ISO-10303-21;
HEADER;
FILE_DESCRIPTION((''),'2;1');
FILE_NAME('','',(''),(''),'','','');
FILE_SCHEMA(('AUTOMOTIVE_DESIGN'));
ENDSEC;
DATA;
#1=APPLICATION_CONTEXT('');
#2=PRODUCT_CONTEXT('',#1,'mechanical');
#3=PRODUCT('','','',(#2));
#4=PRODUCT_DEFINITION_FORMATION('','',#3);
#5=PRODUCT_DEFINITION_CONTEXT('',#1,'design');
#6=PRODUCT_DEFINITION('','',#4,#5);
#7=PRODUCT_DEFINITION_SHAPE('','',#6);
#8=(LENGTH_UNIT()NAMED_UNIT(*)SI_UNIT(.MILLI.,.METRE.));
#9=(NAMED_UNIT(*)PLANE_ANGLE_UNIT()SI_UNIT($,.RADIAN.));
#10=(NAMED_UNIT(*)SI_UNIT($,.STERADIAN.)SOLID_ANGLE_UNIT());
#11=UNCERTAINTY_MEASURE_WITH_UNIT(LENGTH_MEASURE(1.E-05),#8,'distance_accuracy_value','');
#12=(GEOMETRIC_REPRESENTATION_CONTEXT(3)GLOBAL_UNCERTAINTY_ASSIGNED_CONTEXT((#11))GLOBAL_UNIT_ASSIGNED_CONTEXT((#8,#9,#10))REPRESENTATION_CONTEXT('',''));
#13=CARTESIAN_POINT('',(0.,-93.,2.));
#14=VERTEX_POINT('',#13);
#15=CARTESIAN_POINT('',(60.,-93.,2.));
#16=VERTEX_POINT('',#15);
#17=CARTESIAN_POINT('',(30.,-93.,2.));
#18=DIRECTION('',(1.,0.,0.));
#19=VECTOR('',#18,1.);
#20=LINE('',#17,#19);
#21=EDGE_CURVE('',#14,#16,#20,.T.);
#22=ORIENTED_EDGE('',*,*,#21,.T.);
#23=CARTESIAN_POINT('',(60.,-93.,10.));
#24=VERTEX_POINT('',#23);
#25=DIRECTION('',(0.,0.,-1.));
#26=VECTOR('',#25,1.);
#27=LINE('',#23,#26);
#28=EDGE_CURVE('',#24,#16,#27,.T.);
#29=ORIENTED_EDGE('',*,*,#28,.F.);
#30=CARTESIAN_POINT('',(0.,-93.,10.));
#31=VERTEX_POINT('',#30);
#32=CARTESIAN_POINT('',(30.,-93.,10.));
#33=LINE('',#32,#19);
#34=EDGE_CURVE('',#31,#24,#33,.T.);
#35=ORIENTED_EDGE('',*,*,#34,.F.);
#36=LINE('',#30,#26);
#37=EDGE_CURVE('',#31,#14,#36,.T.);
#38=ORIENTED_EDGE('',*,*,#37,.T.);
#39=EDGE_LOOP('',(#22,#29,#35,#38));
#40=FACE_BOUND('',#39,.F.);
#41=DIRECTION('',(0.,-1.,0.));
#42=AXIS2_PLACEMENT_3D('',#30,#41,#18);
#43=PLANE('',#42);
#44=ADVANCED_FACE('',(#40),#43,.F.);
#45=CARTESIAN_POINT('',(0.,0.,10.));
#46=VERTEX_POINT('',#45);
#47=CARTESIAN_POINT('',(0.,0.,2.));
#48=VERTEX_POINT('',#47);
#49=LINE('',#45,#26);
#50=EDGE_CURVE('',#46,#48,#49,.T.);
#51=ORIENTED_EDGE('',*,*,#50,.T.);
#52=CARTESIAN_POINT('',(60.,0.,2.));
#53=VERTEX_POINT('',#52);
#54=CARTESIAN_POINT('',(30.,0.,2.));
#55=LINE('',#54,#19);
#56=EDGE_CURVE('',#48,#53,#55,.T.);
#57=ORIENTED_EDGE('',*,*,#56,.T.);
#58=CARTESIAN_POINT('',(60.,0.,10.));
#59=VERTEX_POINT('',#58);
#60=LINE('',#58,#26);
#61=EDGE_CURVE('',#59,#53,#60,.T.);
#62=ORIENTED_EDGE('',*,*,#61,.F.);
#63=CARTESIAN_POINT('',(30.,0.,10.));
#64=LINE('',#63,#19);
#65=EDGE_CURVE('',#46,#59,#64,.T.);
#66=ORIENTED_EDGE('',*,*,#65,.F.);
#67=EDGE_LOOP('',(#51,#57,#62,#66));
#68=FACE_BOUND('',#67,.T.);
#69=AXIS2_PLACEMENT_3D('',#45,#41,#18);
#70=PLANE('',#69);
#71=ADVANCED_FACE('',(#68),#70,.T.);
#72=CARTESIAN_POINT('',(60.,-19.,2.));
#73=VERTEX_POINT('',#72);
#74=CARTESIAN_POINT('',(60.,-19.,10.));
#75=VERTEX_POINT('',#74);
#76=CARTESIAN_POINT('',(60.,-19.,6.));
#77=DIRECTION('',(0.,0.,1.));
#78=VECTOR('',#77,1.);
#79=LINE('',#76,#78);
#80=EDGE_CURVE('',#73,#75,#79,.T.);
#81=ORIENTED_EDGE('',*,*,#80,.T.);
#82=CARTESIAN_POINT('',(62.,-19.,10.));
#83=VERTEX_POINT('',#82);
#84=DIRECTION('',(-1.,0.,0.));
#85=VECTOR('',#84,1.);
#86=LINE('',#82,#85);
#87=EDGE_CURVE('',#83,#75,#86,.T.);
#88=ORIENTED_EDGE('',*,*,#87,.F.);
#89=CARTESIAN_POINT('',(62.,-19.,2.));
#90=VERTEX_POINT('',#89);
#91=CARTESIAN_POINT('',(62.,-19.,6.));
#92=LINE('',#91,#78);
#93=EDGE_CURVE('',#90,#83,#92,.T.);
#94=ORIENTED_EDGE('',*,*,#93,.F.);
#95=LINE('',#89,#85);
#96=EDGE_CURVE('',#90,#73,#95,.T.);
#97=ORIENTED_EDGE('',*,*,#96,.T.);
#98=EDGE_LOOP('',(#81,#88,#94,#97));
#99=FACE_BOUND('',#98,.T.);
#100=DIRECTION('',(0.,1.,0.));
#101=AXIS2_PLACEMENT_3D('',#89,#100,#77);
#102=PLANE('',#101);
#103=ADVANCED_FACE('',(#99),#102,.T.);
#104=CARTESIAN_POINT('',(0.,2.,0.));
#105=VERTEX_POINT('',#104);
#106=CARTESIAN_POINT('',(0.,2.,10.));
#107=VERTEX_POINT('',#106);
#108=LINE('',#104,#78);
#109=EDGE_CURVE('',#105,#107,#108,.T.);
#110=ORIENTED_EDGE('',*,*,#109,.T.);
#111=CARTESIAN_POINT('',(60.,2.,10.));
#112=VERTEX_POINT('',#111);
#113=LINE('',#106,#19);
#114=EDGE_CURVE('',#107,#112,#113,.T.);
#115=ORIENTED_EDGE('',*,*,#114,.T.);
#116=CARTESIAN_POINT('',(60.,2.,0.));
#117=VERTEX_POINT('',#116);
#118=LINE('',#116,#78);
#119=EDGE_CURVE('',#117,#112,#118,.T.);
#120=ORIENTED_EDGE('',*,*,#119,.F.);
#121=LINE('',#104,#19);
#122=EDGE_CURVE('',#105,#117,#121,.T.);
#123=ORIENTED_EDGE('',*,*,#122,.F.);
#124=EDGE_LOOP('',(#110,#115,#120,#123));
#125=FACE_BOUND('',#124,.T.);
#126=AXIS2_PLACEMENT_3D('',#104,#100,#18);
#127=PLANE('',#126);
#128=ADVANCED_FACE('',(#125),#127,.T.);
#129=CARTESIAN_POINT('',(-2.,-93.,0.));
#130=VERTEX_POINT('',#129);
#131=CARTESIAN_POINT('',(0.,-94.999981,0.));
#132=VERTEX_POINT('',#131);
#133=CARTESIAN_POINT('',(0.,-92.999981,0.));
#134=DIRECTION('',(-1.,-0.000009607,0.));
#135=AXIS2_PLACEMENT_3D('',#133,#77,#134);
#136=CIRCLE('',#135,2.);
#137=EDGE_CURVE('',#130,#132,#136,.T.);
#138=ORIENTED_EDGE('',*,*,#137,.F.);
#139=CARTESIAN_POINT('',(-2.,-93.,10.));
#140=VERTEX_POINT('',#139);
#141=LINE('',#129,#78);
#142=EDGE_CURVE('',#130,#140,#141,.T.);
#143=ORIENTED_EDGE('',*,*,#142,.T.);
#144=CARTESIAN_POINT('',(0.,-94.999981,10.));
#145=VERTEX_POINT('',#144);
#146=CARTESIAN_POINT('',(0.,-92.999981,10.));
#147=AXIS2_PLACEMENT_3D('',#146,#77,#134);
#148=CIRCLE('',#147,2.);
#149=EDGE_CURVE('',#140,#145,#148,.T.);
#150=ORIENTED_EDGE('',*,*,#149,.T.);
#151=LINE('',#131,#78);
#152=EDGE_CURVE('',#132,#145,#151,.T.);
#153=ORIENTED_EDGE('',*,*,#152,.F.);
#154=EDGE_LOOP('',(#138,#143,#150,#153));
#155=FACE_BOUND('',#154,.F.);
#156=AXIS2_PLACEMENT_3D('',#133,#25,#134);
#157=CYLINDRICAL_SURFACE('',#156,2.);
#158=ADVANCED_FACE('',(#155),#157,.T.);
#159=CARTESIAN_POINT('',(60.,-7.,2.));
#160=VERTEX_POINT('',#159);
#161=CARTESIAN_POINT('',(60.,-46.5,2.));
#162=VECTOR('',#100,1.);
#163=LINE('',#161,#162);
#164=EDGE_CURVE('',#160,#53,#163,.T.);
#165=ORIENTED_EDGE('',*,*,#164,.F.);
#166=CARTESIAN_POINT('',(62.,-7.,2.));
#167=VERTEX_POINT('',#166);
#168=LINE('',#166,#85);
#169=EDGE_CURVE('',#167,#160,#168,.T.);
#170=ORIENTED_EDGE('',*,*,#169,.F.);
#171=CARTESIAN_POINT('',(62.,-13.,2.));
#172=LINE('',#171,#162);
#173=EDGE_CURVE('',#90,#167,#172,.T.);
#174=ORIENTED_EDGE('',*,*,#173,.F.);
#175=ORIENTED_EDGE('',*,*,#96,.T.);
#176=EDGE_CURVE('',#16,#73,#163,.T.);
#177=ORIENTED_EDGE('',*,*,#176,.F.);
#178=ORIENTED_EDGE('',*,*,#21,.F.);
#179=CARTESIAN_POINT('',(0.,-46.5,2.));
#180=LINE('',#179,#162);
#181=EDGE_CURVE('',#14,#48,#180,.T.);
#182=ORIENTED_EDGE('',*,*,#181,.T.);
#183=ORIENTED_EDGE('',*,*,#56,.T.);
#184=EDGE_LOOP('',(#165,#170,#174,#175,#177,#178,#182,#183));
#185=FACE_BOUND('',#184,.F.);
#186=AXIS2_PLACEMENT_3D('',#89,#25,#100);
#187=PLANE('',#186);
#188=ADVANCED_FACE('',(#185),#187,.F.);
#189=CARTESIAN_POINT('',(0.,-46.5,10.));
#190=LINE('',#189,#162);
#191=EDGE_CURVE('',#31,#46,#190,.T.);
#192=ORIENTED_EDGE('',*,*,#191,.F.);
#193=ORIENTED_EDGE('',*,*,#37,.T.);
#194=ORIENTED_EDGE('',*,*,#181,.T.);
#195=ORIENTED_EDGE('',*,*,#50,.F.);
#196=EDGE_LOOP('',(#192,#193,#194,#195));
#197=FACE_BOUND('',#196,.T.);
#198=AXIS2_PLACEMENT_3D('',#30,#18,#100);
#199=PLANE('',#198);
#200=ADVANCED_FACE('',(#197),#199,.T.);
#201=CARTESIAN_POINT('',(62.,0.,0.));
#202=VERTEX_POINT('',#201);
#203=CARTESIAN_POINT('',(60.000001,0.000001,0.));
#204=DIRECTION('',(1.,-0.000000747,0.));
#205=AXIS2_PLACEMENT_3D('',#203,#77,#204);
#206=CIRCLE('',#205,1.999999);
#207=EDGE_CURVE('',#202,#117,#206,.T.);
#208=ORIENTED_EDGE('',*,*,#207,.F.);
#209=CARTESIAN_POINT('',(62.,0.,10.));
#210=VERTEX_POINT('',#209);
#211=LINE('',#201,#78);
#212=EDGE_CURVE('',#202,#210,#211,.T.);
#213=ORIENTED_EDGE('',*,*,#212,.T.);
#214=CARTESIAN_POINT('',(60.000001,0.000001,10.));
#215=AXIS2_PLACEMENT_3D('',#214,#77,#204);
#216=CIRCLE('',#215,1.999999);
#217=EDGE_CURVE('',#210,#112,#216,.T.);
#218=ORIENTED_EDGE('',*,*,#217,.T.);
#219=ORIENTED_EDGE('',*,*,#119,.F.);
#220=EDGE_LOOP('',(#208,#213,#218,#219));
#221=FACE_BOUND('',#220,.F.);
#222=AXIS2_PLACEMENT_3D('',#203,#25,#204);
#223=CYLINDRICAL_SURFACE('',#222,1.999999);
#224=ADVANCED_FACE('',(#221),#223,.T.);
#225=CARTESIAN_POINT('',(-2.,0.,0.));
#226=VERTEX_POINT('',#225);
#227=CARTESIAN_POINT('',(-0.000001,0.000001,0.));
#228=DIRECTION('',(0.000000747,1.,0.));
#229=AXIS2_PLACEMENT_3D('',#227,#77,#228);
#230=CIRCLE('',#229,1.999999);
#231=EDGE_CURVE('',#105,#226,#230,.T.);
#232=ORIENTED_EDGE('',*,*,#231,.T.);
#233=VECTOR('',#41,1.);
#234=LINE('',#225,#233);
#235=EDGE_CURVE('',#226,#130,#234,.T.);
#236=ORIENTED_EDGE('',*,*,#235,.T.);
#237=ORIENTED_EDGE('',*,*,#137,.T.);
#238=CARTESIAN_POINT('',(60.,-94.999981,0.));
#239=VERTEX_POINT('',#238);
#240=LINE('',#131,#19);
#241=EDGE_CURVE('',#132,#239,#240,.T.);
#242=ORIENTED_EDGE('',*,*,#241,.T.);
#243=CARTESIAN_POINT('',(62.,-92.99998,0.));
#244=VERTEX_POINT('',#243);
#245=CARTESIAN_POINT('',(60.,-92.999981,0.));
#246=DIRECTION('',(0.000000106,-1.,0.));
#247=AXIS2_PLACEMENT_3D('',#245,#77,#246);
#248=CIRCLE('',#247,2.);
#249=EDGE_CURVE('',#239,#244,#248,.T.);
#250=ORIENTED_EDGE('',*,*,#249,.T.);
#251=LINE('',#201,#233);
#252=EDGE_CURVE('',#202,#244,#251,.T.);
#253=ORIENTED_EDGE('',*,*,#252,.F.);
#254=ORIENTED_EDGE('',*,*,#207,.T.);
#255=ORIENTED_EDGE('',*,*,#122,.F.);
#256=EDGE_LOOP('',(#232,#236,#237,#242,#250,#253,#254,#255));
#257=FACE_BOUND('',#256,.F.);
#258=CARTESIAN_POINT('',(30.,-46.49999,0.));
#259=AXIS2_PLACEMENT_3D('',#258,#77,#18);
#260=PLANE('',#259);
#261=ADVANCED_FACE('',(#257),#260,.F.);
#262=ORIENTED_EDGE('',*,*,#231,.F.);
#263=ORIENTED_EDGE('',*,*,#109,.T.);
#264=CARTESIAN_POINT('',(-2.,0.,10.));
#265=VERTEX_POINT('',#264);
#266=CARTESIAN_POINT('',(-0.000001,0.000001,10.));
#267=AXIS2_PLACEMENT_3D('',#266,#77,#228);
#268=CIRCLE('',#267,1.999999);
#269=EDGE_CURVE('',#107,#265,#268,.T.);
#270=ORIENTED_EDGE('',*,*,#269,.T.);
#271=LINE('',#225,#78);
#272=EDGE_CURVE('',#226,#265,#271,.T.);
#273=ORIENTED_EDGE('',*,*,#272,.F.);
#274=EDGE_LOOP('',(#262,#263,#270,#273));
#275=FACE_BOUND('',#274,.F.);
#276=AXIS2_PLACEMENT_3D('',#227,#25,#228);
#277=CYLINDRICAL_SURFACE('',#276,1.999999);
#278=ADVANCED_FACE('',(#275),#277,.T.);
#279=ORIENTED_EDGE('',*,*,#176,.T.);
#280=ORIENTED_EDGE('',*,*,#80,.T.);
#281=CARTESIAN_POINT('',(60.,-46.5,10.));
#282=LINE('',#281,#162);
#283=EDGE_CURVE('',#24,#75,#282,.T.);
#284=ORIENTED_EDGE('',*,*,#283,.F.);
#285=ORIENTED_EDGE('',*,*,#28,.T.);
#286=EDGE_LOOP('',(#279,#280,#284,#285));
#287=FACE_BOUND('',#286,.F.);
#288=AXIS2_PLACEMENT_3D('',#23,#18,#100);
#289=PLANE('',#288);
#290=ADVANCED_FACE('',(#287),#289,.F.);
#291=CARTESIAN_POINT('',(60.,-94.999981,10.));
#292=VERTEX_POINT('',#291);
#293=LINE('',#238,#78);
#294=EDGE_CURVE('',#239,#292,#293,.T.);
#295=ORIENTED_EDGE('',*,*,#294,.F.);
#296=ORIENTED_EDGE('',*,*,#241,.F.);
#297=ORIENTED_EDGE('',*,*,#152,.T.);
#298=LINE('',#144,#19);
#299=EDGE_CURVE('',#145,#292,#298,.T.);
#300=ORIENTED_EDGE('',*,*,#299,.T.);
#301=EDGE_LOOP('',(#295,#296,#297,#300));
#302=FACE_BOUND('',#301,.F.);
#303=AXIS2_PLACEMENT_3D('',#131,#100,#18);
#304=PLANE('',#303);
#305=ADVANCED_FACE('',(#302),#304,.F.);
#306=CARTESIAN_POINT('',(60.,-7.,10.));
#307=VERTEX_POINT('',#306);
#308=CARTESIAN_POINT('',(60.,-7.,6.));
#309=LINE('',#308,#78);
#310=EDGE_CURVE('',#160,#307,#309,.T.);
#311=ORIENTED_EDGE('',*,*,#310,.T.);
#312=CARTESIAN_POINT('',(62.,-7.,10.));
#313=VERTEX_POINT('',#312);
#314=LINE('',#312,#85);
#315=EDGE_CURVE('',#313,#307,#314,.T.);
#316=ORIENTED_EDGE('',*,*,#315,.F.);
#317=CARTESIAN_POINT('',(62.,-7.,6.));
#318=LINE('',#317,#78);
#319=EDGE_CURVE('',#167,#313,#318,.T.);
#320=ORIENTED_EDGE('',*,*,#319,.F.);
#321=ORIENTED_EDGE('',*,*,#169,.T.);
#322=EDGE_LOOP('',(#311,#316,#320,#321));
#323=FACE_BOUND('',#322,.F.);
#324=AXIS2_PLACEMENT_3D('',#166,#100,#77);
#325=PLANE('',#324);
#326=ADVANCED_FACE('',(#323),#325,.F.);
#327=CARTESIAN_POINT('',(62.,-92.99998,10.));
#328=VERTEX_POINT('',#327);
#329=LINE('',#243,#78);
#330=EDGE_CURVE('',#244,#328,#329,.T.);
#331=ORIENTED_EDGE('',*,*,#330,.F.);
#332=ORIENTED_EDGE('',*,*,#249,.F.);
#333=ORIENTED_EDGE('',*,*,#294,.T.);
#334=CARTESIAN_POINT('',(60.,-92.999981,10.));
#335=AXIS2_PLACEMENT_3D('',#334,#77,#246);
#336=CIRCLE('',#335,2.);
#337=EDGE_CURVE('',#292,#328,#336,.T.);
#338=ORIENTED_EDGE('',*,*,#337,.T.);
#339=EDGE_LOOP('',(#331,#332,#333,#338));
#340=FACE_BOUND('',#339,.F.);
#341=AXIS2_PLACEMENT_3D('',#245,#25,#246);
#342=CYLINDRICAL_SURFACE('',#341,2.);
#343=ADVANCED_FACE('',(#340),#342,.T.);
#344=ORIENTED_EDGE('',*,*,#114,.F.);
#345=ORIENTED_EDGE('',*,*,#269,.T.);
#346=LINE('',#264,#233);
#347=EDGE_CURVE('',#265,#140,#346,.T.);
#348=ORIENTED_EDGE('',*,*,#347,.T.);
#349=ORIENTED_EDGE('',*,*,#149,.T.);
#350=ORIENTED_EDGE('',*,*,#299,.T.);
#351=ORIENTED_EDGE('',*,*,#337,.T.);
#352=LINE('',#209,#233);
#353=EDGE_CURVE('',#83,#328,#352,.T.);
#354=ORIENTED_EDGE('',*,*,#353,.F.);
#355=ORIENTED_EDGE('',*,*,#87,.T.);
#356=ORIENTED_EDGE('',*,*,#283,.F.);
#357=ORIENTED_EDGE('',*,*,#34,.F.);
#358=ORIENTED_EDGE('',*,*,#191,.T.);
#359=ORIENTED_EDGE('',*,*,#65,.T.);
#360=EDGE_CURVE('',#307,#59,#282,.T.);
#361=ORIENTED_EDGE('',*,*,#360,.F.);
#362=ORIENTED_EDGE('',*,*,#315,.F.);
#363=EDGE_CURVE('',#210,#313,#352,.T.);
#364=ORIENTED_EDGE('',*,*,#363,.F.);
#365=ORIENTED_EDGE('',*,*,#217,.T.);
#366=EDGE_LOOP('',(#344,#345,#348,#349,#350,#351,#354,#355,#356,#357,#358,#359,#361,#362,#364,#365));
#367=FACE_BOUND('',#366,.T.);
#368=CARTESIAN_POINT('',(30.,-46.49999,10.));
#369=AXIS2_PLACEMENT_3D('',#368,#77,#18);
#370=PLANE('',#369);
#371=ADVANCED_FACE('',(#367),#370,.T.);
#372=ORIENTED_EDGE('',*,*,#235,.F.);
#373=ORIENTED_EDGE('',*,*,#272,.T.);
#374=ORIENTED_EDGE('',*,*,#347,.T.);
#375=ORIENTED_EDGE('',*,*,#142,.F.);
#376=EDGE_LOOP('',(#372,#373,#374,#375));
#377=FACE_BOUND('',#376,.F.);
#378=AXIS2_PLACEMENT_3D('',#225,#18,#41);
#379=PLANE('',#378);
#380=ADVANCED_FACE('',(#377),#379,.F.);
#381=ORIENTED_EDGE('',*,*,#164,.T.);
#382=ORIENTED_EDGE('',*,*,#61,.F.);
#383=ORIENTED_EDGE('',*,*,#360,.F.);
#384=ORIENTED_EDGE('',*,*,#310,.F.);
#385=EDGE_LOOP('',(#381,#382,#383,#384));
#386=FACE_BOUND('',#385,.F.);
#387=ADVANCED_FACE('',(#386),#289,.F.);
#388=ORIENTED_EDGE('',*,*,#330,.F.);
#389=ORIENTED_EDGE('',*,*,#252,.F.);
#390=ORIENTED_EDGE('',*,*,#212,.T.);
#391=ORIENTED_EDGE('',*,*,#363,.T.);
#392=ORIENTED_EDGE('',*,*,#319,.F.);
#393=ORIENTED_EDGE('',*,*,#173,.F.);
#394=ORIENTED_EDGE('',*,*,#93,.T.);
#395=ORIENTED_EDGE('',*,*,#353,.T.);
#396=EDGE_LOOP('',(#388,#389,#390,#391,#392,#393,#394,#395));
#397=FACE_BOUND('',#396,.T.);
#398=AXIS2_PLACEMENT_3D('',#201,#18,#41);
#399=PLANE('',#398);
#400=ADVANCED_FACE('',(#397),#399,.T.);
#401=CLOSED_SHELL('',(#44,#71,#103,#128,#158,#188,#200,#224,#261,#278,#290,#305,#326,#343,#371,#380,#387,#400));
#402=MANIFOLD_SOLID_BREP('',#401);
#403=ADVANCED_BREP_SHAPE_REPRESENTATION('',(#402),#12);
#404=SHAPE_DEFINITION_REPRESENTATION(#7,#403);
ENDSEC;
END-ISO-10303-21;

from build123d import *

# Parameters (mm, degrees)
PAD_DEPTH       = 10
SKETCH_W        = 60
SKETCH_H        = 93
POCKET_DEPTH    = 8
SKETCH005_W     = 12
SKETCH005_H     = 8
POCKET003_DEPTH = 2


with BuildPart() as part:
    # Sketch001 → Pad (new body)
    with BuildSketch(Plane.XY):
        with BuildLine():
            ThreePointArc((0, 2), (-1.414214, 1.414214), (-2, 0))
            Line((-2, 0), (-2, -93))
            ThreePointArc((-2, -93), (-1.414207, -94.414201), (0, -94.999981))
            Line((0, -94.999981), (60, -94.999981))
            ThreePointArc((60, -94.999981), (61.414214, -94.414194), (62, -92.99998))
            Line((62, 0), (62, -92.99998))
            ThreePointArc((62, 0), (61.414214, 1.414214), (60, 2))
            Line((0, 2), (60, 2))
        make_face()
    extrude(amount=PAD_DEPTH)

    # Sketch (on Face10 of Pad) → Pocket (cut)
    with BuildSketch(Plane.XY.offset(10)):
        with Locations((30, -46.5)):
            Rectangle(SKETCH_W, SKETCH_H)
    extrude(amount=-POCKET_DEPTH, mode=Mode.SUBTRACT)

    # Sketch005 (on Face2 of Pocket) → Pocket003 (cut)
    with BuildSketch(Plane.YZ.offset(62)):
        with Locations((-13, 6)):
            Rectangle(SKETCH005_W, SKETCH005_H)
    extrude(amount=-POCKET003_DEPTH, mode=Mode.SUBTRACT)


solid = part.part
